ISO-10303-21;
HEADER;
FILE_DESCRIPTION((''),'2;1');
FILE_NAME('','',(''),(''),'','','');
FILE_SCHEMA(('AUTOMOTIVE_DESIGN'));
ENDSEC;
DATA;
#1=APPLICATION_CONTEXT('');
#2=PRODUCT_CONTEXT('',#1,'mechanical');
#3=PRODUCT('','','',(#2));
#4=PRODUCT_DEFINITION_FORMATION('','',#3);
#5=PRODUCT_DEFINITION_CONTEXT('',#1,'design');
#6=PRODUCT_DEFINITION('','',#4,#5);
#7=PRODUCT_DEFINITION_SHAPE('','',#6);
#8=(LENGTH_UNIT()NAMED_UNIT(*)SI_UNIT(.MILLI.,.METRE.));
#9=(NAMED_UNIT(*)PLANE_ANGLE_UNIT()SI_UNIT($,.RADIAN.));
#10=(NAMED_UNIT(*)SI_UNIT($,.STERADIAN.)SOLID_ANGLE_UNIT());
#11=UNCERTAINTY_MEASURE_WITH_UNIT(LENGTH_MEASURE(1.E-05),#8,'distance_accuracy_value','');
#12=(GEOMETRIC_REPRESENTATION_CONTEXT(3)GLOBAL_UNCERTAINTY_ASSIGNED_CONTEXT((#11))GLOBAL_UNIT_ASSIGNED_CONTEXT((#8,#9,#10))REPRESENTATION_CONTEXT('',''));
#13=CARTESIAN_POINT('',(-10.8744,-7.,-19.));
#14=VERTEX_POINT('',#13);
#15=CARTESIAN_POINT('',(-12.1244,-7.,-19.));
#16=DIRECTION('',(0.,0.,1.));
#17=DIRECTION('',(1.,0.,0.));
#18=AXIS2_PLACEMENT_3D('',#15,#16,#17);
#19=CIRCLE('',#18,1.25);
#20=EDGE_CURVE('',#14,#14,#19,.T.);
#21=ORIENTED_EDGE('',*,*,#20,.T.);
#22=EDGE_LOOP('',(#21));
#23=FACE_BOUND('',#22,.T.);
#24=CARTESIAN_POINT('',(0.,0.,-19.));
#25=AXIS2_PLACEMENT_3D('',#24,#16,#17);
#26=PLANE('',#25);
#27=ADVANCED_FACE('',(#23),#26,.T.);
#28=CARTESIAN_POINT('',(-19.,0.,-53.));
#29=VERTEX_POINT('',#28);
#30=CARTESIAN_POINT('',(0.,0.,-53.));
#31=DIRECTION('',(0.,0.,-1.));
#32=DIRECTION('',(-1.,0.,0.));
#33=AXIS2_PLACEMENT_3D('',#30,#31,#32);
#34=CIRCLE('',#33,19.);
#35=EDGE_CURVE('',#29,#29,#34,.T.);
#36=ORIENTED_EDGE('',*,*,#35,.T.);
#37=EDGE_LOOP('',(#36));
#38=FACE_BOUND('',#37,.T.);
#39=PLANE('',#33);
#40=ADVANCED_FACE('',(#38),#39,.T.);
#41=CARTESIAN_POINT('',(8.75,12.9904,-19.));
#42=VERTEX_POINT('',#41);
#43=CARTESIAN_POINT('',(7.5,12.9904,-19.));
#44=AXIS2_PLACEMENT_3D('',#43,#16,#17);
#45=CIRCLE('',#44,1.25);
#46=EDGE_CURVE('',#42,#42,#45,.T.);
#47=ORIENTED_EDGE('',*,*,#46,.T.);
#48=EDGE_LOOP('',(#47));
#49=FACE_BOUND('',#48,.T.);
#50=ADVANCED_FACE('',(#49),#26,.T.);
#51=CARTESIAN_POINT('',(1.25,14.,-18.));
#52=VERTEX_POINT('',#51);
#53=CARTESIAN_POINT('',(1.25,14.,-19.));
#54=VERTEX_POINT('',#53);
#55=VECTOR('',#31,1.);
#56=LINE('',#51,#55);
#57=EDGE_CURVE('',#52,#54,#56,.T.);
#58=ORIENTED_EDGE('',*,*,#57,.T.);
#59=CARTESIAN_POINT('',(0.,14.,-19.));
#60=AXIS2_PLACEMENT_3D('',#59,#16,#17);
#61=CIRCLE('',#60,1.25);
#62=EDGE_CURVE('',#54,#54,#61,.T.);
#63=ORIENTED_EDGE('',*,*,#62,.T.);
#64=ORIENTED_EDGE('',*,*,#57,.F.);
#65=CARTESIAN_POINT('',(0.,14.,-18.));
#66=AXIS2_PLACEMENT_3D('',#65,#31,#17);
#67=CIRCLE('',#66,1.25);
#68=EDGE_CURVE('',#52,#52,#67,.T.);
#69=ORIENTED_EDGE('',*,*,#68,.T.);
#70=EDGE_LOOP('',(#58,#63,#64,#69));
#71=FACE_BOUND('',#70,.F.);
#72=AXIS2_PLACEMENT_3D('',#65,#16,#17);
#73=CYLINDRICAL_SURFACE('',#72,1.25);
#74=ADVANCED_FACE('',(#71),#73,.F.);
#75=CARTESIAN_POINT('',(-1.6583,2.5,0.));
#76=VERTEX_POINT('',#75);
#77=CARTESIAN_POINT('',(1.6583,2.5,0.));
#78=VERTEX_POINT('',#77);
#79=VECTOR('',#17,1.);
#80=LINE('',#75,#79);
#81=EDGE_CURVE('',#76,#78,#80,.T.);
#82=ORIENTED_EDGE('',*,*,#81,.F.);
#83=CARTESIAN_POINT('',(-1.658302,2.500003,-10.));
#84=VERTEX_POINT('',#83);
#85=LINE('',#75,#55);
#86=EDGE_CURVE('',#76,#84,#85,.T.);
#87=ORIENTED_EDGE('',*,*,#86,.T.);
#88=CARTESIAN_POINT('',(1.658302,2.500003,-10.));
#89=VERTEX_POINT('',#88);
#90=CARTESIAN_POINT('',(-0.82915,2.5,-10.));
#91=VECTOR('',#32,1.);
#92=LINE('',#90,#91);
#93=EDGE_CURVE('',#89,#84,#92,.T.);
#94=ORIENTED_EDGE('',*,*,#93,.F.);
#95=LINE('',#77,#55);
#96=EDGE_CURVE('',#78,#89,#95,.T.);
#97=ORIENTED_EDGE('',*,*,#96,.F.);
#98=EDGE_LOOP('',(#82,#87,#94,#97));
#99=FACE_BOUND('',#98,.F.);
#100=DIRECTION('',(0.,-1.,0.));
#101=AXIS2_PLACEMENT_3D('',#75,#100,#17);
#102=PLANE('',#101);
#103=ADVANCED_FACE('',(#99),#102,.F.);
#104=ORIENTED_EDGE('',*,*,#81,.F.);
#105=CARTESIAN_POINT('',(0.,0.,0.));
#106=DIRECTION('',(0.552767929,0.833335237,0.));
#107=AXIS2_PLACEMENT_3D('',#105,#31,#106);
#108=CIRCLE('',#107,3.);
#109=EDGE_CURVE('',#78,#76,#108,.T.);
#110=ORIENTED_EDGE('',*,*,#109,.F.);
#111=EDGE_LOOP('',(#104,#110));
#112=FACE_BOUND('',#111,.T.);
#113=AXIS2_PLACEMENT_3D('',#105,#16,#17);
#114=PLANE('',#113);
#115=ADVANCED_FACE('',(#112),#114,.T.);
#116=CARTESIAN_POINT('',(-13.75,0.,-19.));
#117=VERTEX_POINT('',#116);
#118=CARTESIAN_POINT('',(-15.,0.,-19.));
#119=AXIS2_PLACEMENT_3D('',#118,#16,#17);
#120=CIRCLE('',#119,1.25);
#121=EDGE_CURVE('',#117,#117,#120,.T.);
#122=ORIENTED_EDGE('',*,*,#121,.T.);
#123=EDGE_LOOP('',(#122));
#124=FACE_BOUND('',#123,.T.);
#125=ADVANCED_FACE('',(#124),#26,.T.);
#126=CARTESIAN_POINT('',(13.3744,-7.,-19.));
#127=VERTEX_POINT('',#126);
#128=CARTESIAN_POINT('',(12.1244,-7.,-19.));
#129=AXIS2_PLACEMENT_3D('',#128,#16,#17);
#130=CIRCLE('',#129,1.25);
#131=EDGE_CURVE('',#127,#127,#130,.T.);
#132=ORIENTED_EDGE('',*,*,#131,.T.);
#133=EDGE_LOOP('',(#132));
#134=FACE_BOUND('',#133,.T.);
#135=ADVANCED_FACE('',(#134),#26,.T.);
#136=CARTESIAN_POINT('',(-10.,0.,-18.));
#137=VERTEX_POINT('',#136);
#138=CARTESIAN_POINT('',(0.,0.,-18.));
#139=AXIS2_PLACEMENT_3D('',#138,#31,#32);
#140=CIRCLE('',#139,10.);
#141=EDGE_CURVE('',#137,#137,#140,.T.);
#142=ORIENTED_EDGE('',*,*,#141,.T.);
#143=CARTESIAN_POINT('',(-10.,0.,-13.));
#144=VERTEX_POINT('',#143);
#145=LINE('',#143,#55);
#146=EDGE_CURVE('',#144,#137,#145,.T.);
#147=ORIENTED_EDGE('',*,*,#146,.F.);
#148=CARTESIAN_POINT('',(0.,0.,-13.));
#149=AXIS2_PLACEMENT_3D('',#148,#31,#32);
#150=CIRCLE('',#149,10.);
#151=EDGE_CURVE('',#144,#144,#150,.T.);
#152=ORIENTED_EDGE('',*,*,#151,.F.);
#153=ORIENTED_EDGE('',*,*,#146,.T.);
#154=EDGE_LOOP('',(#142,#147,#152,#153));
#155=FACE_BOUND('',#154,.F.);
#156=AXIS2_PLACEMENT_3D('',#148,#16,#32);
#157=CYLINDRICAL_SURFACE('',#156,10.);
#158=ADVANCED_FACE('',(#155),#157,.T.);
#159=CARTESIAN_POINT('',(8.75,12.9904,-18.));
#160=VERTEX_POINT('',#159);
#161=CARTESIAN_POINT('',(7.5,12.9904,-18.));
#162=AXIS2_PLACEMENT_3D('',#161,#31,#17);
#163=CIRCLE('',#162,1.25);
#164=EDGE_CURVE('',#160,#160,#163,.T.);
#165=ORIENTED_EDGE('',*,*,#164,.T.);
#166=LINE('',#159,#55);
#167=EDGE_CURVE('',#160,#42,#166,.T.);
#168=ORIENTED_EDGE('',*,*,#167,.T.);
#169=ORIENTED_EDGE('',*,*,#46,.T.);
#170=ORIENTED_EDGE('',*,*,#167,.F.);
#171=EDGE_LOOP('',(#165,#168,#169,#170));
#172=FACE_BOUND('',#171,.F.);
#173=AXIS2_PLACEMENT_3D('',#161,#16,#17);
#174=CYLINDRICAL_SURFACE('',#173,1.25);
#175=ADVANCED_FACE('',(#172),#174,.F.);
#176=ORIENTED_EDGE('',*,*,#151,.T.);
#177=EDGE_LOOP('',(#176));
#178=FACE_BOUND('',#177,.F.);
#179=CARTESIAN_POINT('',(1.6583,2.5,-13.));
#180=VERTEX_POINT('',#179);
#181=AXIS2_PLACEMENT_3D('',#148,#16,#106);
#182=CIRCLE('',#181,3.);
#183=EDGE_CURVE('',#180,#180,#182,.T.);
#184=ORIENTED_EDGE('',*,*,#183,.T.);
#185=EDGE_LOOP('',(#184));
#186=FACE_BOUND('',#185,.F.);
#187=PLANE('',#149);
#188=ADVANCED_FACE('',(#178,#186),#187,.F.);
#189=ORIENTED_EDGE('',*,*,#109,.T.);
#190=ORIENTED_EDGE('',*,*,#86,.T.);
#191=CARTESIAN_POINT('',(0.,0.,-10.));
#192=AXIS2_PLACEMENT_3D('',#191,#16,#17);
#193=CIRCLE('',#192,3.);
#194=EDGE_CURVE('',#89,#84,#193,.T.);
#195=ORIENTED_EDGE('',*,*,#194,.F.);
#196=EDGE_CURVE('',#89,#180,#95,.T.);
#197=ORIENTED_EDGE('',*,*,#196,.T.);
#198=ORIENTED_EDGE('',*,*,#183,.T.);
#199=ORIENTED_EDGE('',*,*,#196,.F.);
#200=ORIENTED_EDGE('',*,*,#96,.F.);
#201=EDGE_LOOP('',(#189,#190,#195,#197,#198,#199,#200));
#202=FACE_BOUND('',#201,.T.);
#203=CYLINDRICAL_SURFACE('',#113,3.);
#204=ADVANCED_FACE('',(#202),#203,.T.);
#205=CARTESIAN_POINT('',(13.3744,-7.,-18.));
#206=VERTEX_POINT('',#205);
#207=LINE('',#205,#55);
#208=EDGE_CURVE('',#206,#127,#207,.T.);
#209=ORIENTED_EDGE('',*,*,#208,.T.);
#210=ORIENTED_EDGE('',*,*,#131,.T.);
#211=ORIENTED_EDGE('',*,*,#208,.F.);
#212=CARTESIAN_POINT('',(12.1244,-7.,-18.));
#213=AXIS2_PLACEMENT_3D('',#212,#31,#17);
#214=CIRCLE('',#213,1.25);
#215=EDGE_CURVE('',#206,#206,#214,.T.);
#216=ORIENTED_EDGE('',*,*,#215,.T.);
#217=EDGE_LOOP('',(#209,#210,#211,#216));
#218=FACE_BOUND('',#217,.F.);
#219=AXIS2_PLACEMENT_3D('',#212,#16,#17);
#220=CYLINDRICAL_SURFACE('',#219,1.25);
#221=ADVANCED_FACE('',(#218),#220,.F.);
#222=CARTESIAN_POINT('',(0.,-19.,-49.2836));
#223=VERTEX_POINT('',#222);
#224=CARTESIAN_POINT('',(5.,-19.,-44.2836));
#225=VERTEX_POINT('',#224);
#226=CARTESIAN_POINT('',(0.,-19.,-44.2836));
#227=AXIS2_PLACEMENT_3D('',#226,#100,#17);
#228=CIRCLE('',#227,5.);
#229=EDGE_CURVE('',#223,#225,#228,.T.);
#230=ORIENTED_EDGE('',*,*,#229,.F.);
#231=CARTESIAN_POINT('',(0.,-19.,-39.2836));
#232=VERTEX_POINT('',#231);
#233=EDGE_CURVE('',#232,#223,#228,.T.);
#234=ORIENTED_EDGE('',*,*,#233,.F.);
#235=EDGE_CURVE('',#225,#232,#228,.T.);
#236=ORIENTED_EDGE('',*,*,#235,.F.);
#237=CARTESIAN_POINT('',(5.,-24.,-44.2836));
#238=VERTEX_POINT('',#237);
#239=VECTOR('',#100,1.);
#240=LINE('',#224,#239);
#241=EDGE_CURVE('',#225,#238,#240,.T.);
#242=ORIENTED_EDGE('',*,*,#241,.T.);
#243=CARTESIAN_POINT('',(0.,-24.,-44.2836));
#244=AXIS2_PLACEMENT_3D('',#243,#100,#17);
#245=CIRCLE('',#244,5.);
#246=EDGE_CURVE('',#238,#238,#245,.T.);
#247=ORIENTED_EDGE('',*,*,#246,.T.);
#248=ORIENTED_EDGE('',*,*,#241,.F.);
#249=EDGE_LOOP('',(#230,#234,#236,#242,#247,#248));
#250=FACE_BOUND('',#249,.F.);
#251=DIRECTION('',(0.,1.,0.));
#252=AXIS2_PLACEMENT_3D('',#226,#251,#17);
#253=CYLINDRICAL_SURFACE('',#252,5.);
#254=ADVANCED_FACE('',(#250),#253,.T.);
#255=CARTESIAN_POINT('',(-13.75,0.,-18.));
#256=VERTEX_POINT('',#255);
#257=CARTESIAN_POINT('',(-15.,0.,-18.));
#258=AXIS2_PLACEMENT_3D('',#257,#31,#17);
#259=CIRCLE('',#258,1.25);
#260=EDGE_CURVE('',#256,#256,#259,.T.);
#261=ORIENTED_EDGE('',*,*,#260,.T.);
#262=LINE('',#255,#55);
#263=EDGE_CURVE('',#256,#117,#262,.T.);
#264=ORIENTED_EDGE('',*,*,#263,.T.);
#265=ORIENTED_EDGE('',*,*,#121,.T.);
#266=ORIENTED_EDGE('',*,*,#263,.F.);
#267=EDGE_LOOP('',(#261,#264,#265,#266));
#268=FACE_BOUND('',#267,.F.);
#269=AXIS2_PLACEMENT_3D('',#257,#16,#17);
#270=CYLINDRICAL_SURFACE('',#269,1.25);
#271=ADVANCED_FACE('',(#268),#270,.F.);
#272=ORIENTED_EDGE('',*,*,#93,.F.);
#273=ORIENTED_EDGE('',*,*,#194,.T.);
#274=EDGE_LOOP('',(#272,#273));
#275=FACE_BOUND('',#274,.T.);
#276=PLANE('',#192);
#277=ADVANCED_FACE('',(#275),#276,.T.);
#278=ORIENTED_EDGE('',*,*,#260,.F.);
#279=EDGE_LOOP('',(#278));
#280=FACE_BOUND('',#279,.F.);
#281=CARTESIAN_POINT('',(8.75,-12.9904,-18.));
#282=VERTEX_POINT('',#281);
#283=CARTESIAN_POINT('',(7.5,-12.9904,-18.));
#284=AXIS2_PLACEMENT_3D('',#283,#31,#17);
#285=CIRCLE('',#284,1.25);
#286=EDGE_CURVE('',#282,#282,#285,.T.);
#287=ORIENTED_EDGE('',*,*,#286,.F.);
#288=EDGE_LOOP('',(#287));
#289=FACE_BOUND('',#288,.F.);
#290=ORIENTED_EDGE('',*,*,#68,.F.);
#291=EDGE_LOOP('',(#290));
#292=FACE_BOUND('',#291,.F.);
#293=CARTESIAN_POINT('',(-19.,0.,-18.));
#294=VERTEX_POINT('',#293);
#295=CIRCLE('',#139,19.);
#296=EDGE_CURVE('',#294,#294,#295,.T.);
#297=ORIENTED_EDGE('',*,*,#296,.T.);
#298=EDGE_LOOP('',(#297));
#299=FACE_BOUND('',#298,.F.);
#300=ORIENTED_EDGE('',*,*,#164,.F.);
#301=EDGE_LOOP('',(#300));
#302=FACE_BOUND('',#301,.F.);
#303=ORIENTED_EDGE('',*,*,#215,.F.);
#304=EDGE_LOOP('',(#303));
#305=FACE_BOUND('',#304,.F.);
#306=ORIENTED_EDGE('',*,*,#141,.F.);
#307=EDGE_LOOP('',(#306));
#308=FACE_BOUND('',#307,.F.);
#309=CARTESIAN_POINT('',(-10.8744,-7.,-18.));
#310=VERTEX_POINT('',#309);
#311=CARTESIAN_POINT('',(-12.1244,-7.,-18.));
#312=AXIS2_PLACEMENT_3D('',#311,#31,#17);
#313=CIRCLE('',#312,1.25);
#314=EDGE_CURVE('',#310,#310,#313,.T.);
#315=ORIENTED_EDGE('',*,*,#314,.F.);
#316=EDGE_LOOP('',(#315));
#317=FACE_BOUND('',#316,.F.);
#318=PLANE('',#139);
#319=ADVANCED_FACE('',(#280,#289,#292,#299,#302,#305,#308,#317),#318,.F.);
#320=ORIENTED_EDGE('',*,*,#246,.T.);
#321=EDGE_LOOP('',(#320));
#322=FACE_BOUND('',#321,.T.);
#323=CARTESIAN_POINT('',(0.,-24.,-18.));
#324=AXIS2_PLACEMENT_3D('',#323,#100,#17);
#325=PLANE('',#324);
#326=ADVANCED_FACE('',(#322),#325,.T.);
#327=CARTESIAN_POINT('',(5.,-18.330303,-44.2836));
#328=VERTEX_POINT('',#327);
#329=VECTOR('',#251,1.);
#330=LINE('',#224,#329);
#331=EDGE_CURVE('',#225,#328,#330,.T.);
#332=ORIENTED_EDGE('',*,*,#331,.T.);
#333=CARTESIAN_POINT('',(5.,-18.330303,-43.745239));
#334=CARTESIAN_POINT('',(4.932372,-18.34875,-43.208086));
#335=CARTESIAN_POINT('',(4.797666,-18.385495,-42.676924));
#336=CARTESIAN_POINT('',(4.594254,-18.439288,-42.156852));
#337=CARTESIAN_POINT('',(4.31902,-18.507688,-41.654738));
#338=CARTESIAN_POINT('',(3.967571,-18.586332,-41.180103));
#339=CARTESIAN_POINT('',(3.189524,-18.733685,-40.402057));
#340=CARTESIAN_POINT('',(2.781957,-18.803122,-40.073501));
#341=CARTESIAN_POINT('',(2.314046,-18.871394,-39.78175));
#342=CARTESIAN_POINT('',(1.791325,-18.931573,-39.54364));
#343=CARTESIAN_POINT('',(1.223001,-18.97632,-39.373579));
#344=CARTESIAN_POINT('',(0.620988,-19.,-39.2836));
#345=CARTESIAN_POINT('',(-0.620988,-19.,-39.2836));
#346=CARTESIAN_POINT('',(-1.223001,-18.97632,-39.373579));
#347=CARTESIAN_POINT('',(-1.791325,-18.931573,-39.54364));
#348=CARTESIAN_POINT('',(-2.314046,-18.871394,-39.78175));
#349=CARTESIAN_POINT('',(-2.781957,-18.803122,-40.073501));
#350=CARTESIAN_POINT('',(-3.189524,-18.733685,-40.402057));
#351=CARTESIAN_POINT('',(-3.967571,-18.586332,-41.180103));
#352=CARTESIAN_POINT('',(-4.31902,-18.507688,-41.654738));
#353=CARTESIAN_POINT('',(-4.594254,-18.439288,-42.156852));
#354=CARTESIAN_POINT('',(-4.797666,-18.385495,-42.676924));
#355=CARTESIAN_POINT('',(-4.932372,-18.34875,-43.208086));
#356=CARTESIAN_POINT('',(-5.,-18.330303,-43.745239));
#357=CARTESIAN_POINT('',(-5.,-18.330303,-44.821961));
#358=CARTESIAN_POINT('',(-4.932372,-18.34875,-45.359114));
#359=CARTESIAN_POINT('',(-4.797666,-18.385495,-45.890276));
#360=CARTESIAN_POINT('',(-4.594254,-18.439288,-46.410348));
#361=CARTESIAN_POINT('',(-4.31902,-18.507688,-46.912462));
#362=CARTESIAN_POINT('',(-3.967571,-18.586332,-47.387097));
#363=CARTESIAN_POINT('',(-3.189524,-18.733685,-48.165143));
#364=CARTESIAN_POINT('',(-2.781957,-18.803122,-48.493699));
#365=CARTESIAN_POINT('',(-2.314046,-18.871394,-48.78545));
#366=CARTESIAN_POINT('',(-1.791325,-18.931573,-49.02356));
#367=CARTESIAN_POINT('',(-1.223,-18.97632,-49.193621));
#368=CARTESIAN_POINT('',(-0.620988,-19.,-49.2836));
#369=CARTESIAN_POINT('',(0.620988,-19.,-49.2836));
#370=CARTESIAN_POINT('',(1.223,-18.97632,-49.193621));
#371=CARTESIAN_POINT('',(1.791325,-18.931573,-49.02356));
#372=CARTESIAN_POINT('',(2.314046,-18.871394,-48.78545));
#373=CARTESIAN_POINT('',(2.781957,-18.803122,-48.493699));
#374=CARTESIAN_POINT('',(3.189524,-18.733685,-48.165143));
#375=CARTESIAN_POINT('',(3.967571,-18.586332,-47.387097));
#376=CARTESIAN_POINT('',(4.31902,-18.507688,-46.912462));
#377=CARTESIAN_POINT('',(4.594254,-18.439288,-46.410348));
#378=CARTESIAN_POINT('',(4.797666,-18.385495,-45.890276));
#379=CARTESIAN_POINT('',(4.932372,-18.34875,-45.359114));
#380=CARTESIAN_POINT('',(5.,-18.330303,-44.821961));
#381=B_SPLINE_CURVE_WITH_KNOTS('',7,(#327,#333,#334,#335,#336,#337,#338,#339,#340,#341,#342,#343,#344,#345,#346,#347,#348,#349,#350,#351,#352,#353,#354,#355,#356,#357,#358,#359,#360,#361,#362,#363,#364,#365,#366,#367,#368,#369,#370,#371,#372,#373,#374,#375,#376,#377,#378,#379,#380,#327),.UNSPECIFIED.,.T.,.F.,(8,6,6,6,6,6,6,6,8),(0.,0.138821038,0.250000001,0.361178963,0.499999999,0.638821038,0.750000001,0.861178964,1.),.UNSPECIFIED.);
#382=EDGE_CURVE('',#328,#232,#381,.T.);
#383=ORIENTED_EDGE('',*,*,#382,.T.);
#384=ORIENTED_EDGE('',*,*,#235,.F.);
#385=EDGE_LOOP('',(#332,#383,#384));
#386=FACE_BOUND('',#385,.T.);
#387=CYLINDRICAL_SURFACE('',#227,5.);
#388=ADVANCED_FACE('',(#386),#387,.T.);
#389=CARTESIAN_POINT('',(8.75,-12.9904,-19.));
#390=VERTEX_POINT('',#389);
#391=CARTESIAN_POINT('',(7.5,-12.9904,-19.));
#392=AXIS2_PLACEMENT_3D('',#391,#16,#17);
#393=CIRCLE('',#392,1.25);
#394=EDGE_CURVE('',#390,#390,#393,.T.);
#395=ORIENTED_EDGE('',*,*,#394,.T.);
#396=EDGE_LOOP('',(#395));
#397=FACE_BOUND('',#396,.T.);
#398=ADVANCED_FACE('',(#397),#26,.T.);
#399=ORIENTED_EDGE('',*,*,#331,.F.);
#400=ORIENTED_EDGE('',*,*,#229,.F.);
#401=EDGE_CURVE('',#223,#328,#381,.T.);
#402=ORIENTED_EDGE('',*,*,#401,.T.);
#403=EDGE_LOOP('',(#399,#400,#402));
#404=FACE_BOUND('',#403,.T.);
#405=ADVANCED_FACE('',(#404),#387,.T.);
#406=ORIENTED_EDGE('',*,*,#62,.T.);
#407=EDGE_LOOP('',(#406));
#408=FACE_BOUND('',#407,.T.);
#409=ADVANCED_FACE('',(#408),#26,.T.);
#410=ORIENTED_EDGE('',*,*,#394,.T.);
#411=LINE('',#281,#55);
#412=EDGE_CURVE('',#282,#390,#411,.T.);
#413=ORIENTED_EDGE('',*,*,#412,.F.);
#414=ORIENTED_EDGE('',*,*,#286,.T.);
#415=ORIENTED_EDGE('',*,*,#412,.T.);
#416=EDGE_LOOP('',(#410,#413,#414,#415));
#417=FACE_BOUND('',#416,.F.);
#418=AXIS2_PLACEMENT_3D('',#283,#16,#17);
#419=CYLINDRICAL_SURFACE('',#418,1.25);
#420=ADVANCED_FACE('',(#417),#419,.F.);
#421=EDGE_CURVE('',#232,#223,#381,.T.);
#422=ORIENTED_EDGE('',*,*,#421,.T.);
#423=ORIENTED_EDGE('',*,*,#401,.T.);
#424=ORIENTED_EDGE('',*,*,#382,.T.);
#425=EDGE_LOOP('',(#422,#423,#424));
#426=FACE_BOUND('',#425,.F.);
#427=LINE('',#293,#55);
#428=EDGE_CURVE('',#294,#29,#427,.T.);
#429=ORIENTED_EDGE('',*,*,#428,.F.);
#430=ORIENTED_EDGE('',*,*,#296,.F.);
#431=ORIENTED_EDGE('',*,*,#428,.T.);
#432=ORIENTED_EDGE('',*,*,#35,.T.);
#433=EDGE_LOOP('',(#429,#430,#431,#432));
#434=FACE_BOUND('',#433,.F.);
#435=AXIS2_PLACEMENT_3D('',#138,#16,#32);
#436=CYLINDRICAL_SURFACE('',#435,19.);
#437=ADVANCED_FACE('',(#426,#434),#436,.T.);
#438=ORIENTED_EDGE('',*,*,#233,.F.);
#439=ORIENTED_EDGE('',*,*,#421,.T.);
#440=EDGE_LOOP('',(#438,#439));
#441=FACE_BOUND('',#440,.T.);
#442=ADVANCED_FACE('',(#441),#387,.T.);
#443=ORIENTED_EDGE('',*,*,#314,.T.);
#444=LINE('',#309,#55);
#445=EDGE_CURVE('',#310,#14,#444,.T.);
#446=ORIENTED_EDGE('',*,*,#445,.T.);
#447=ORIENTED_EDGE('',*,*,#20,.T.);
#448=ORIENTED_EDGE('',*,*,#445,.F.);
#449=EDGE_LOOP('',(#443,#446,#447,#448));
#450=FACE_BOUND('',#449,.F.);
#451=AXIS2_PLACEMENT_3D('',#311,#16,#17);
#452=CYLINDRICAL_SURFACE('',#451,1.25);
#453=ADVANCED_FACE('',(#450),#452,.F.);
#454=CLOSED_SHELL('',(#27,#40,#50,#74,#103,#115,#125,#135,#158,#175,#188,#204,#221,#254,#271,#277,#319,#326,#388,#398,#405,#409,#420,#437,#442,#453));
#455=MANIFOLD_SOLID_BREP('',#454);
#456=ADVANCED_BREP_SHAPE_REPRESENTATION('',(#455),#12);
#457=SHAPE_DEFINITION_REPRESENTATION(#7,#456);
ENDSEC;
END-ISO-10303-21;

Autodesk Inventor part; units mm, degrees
ref_plane "YZ Plane" through (0, 0, 0) normal (1, 0, 0) x (0, 1, 0)
ref_plane "XZ Plane" through (0, 0, 0) normal (0, 1, 0) x (-1, 0, 0)
sketch "Sketch1" plane through (0, 0, 0) normal (0, 0, 1) x (1, 0, 0)
  circle A0 centre (0, 0) radius 3
  line L0 (0, 3) -> (0, 3)
  line L1 (-1.6583, 2.5) -> (1.6583, 2.5)
  line L2 (1.6583, 2.5) -> (1.6583, 4.0802)
  line L3 (-1.6583, 4.0802) -> (-1.6583, 2.5)
  point P0 (0, 2.5)
  dimension "d0" = 6
  dimension "d3" = 2.5
  dimension "d4" = 0
  dimension "d5" = 0.5
extrude "Extrusion1" add sketch "Sketch1" against normal blind 13 contours A0 L1 picked at (0.1141, 0.6732)
sketch "Sketch2" plane through (0, 0, -13) normal (0, 0, -1) x (-1, 0, 0)
  circle A0 centre (0, 0) radius 10
  dimension "d8" = 20
extrude "Extrusion2" add sketch "Sketch2" along normal blind 5
sketch "Sketch3" plane through (0, 0, -18) normal (0, 0, -1) x (-1, 0, 0)
  circle A0 centre (0, 0) radius 19
  dimension "d11" = 38
extrude "Extrusion3" add sketch "Sketch3" along normal blind 35
sketch "Sketch4" plane through (0, 0, -18) normal (0, 0, 1) x (1, 0, 0)
  arc A0 (-1.6583, 2.5) -> (1.6583, 2.5) centre (0, 0) ccw projected
  circle A1 centre (0, 0) radius 14
  circle A2 centre (0, 14) radius 1.25
  circle A3 centre (-12.1244, -7) radius 1.25
  circle A4 centre (12.1244, -7) radius 1.25
  circle A5 centre (0, 0) radius 15
  circle A6 centre (7.5, 12.9904) radius 1.25
  circle A7 centre (-15, 0) radius 1.25
  circle A8 centre (7.5, -12.9904) radius 1.25
  dimension "d14" = 28
  dimension "d20" = 30
  dimension "d15" = 2.5
  dimension "d18" = 360
  dimension "d21" = 2.5
  dimension "d22" = 30
  dimension "d25" = 360
extrude "Extrusion4" cut sketch "Sketch4" against normal blind 1 contours A6 A1 | A1 A6 A5 | A4 A5 A1 | A1 A4 | A5 A6 | A4 A5 | A2 A1 | A1 A2 A5 | A8 A5 A1 | A1 A8 | A5 A2 | A8 A5 | A7 A1 | A1 A7 A5 | A3 A5 A1 | A1 A3 | A5 A7 | A3 A5
sketch "Sketch5" plane through (0, 0, -18) normal (0, 0, 1) x (1, 0, 0)
  circle A0 centre (0, 0) radius 19 projected
  point P0 (0, -19)
ref_plane "Work Plane1" through (0, -19, -18) normal (0, -1, 0) x (1, 0, 0)
sketch "Sketch6" plane through (0, -19, -18) normal (0, -1, 0) x (1, 0, 0)
  circle A0 centre (0, -26.2836) radius 5
  point P0 (0, 18)
  dimension "d29" = 10
extrude "Extrusion5" add sketch "Sketch6" along normal blind 5 and the other way blind 0.7
sketch "Sketch7" plane through (0, 0, -13) normal (0, 0, 1) x (1, 0, 0)
  circle A0 centre (0, 0) radius 3
extrude "Extrusion6" add sketch "Sketch7" along normal blind 3
equation "\"BendRadius\" = Thickness"
equation "\"BendReliefWidth\" = Thickness"
equation "\"BendReliefDepth\" = 0.5 * Thickness"
equation "\"CornerReliefSize\" = 4 * Thickness"
equation "\"MinimumRemnant\" = 2 * Thickness"
equation "\"TransitionRadius\" = BendRadius"
equation "\"JacobiRadiusSize\" = BendRadius"
equation "\"GapSize\" = Thickness"
equation "\"Thickness\" = 0.5"
properties part number "Optical Encoder"
